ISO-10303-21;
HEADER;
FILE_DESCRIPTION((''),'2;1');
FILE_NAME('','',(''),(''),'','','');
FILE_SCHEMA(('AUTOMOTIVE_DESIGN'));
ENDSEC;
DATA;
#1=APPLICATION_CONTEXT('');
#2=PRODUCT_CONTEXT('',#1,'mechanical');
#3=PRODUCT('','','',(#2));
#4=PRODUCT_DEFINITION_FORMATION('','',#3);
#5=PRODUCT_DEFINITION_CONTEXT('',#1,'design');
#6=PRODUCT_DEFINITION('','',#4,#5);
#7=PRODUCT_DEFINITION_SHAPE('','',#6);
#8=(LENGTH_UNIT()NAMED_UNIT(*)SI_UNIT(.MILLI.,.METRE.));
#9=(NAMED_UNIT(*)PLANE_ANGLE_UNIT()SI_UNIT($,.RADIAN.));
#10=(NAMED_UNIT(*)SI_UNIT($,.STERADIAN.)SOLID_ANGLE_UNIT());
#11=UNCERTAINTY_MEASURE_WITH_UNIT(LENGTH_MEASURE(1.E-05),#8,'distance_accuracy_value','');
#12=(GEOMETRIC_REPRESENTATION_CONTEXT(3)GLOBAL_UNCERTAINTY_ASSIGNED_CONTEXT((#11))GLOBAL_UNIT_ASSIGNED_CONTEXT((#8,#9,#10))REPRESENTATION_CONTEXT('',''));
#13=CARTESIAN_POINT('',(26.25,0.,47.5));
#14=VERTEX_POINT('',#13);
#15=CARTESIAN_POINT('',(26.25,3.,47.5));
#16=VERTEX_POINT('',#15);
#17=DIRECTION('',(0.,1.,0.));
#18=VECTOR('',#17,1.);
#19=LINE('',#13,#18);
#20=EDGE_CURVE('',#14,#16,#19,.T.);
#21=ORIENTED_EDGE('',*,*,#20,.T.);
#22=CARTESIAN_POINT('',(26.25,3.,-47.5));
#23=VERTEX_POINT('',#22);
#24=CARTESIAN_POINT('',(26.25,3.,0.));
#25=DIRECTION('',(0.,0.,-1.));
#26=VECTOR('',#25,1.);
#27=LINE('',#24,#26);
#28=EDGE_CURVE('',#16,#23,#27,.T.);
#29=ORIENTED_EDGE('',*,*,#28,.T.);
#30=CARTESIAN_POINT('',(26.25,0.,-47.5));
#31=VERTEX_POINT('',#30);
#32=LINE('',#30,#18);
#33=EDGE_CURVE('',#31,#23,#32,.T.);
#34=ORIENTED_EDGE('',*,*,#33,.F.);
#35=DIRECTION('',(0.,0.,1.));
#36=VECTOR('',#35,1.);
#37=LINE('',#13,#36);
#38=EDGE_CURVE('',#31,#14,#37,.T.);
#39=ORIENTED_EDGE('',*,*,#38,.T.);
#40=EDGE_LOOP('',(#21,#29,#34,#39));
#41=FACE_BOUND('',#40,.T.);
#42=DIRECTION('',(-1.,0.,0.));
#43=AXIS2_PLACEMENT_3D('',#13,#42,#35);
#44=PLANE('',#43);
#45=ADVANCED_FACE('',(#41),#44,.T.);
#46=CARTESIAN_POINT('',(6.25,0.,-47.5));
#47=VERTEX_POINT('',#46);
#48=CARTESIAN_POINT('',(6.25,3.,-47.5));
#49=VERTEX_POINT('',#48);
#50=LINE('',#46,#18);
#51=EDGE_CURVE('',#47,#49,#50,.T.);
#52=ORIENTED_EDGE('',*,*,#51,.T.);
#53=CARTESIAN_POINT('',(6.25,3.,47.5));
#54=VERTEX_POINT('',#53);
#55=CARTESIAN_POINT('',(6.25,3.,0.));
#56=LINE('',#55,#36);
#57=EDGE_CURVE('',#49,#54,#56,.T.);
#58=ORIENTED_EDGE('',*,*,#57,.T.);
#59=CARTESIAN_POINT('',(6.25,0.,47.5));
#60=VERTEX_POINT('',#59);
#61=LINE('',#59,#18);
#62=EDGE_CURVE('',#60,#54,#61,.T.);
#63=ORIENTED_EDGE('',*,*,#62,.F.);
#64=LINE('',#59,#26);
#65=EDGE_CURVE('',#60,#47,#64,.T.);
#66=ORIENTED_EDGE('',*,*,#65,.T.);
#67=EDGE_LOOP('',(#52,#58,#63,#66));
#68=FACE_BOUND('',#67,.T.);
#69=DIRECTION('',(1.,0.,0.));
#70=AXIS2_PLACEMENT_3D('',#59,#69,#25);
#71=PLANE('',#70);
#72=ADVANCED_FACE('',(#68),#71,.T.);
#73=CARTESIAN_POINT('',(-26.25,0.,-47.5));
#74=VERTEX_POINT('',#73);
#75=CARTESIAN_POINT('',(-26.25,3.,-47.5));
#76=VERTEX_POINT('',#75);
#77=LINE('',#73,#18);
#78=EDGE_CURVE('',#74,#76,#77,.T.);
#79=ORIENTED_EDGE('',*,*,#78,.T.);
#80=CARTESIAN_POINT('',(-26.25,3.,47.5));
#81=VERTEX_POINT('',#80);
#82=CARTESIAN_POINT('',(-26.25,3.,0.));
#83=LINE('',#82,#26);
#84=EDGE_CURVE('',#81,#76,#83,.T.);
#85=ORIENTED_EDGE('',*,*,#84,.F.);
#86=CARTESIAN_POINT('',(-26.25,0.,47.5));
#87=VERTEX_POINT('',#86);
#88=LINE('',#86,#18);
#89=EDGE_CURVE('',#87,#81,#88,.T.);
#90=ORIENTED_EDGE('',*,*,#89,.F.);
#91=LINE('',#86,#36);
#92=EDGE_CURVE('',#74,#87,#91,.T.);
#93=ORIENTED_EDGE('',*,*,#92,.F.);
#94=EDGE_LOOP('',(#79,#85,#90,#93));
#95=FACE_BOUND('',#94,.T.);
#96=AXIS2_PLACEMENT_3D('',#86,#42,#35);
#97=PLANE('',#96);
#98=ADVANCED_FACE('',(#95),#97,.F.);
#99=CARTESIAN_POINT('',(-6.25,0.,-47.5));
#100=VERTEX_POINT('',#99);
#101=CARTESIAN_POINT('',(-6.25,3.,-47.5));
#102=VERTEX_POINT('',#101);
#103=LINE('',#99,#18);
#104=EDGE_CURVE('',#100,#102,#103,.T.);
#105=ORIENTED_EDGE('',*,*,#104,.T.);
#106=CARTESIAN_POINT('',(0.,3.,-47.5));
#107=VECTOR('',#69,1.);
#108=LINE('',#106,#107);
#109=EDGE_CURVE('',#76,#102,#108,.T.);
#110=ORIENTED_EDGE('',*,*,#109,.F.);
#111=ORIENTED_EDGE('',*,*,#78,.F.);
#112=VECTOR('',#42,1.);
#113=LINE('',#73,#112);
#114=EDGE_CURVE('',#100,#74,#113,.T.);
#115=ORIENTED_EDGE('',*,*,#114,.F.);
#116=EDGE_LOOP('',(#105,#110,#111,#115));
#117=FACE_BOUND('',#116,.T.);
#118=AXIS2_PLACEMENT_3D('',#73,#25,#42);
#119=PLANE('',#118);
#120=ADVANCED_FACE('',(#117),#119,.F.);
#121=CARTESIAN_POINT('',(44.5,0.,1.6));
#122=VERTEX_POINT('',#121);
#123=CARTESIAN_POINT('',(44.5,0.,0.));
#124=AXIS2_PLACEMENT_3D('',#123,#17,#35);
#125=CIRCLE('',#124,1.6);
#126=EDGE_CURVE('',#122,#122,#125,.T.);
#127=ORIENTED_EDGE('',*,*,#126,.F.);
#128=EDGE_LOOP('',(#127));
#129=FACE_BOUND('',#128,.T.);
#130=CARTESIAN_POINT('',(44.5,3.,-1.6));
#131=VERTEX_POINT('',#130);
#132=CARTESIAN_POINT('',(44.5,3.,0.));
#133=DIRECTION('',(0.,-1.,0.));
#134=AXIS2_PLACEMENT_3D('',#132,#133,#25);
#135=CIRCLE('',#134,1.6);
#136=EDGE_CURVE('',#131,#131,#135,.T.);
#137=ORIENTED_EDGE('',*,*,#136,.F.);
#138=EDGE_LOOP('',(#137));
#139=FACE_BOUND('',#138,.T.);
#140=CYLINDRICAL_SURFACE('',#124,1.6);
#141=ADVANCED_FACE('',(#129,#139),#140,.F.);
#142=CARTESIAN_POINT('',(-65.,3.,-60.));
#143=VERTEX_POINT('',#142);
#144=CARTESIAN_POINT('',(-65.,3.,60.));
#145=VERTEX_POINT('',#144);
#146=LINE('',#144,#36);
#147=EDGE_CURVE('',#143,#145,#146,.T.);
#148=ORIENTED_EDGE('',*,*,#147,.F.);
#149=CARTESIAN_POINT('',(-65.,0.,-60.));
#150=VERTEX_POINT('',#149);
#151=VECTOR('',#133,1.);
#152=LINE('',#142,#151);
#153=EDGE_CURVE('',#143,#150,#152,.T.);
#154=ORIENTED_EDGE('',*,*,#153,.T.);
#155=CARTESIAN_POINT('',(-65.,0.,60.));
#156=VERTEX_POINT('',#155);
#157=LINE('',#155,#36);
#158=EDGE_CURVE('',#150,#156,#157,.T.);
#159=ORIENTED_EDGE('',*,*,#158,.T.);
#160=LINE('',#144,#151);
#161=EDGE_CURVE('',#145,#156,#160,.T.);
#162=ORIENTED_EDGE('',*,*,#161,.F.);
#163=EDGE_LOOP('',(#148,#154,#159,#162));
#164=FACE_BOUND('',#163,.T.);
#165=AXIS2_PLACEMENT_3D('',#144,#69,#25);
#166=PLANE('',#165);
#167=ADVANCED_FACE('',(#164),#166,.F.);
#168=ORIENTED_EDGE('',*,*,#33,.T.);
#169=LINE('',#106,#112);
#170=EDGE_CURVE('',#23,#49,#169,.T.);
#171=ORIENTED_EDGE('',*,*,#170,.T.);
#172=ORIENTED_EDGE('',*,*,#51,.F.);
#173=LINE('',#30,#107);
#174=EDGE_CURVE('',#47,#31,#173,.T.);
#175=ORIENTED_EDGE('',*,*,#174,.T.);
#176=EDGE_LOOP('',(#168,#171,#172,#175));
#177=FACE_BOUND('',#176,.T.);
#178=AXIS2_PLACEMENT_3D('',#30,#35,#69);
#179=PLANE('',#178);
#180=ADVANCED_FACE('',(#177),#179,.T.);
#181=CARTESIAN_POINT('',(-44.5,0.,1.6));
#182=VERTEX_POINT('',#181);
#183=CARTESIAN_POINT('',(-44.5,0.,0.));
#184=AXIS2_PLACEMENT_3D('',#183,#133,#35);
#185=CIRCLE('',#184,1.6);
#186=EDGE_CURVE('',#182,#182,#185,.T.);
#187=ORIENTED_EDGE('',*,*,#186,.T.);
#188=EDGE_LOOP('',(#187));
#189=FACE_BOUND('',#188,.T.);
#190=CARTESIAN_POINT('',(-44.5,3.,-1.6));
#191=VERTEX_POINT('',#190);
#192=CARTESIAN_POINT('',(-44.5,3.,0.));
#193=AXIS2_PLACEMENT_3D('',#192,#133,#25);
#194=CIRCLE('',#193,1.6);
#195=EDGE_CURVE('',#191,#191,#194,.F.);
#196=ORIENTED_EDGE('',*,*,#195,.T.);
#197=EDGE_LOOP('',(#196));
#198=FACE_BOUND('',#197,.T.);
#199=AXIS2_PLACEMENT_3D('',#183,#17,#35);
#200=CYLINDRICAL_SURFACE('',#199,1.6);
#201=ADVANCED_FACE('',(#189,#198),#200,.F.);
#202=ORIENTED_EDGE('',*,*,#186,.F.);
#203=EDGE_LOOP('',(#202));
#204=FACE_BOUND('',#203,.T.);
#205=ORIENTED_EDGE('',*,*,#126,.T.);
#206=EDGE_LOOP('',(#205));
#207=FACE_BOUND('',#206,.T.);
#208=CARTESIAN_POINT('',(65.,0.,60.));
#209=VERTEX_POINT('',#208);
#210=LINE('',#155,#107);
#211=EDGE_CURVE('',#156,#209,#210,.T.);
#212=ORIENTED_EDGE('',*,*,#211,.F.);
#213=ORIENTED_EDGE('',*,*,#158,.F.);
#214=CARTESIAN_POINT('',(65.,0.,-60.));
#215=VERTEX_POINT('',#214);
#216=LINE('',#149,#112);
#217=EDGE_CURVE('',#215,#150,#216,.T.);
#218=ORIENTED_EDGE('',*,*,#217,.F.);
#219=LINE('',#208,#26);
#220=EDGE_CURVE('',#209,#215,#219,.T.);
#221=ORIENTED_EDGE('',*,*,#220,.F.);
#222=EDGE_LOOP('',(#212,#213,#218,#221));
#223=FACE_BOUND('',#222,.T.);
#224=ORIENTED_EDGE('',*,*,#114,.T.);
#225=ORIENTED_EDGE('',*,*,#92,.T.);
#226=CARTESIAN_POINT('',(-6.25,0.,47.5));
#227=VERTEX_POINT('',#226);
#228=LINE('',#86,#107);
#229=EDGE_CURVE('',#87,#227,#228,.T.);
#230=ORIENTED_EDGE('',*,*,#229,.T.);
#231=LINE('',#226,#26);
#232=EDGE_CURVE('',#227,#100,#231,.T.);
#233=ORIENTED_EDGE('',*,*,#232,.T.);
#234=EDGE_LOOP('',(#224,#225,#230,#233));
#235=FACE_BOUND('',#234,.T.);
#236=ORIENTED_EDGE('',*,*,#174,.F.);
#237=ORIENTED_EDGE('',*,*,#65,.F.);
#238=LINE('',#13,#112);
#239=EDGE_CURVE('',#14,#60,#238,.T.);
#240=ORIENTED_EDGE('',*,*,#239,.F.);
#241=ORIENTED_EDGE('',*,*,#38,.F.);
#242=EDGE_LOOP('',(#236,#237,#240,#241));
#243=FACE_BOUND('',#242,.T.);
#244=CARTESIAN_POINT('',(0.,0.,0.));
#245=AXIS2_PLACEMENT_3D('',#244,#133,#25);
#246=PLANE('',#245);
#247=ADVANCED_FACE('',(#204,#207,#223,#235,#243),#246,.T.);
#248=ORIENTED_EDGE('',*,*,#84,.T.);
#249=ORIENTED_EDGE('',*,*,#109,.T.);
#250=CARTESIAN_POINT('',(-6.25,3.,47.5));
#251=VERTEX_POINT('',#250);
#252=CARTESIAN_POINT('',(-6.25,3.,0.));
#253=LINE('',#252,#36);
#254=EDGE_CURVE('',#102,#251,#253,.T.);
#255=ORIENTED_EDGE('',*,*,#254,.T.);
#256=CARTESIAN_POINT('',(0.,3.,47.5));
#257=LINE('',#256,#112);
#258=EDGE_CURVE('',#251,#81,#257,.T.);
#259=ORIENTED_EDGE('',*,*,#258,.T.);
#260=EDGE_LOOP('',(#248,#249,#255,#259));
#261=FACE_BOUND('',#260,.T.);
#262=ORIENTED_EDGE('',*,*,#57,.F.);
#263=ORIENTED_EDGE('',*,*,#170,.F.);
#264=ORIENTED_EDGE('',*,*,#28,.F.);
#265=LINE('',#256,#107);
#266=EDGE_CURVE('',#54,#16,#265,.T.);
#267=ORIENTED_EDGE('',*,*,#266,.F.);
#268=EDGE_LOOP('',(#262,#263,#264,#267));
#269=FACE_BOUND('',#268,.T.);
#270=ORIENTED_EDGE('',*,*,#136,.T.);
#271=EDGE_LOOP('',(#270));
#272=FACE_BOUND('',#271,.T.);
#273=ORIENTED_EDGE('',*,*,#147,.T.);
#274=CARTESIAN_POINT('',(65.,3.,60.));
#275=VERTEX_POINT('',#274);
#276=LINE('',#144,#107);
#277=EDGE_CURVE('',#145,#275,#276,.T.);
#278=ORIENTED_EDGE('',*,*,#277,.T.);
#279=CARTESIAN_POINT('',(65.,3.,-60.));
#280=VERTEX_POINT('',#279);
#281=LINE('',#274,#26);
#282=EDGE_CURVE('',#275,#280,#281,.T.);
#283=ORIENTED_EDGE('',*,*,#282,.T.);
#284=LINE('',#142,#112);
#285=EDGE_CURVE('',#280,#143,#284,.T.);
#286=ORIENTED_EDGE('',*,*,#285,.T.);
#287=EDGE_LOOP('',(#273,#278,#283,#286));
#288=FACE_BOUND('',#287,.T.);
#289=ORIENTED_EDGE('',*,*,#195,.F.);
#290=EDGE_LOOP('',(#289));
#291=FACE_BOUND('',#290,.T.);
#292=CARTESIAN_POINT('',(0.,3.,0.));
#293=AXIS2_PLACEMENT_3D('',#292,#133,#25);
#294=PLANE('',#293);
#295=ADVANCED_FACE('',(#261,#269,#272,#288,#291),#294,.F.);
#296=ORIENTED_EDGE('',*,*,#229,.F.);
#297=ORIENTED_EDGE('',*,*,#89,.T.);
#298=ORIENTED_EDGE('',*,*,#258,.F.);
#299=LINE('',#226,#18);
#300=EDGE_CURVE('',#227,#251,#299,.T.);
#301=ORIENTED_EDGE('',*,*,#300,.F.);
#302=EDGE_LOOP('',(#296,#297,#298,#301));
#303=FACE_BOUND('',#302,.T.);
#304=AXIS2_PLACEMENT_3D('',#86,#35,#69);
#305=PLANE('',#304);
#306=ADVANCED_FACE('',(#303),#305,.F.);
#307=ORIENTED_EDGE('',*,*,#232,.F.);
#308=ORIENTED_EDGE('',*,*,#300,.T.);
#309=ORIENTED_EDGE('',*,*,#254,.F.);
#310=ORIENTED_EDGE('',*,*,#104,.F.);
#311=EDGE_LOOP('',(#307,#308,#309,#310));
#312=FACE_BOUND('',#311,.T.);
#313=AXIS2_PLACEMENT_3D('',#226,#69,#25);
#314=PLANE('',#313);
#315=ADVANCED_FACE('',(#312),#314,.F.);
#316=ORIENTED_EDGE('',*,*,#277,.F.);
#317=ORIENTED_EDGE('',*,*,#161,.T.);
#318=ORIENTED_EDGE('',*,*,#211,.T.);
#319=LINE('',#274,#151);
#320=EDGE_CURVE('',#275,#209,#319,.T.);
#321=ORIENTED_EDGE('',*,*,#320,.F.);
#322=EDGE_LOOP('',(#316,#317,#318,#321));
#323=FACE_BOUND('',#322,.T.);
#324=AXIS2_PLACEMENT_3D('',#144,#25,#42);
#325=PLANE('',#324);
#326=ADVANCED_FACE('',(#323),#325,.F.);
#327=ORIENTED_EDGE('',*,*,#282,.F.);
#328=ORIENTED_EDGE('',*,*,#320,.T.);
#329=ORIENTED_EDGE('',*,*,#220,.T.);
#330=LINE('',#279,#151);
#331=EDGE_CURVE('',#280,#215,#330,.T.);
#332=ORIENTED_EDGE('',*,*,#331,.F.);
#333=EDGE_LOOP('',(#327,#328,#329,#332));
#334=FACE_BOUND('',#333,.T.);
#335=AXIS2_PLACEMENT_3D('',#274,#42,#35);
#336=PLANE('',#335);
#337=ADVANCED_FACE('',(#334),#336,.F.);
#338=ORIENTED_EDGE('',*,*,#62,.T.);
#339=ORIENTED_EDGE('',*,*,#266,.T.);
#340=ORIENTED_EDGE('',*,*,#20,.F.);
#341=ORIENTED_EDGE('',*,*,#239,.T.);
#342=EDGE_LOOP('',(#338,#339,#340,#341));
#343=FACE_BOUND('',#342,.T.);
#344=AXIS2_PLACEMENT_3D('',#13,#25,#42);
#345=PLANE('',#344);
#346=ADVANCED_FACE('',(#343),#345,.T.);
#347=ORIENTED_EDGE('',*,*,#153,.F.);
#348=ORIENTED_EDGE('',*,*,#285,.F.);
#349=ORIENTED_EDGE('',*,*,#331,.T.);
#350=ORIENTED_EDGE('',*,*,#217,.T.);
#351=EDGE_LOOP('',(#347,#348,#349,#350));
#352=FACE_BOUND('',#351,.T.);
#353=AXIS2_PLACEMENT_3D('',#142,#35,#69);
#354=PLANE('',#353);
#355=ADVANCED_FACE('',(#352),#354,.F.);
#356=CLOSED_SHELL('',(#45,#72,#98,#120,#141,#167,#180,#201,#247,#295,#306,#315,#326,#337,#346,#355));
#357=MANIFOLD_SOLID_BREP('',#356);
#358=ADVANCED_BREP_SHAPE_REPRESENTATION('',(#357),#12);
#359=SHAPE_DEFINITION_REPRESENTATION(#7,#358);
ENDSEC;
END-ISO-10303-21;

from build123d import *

# Parameters (mm, degrees)
SKETCH1_W           = 130
SKETCH1_H           = 120
BOSS_EXTRUDE1_DEPTH = 3
CUT_EXTRUDE1_START  = -4
SKETCH2_W           = 20
SKETCH2_H           = 95
CUT_EXTRUDE1_DEPTH  = 5
CUT_EXTRUDE2_START  = -4
SKETCH3_R           = 1.6
CUT_EXTRUDE2_DEPTH  = 5


with BuildPart() as part:
    # Sketch1 → Boss-Extrude1 (new body)
    with BuildSketch(Plane(origin=(0, 0, 0), x_dir=(1, 0, 0), z_dir=(0, 1, 0))):
        Rectangle(SKETCH1_W, SKETCH1_H)
    extrude(amount=BOSS_EXTRUDE1_DEPTH)

    # Sketch2 → Cut-Extrude1 (cut)
    with BuildSketch(Plane(origin=(0, 3, 0), x_dir=(1, 0, 0), z_dir=(0, 1, 0)).offset(CUT_EXTRUDE1_START)):
        with Locations((-16.25, 0)):
            Rectangle(SKETCH2_W, SKETCH2_H)
    cut_extrude1 = extrude(amount=CUT_EXTRUDE1_DEPTH, mode=Mode.SUBTRACT)

    # Mirror1: Cut-Extrude1 across plane
    add(cut_extrude1.mirror(Plane(origin=(0, 0, 0), x_dir=(0, 0, 1), z_dir=(1, 0, 0))), mode=Mode.SUBTRACT)

    # Sketch3 → Cut-Extrude2 (cut)
    with BuildSketch(Plane(origin=(0, 3, 0), x_dir=(1, 0, 0), z_dir=(0, 1, 0)).offset(CUT_EXTRUDE2_START)):
        with Locations((44.5, 0)):
            Circle(SKETCH3_R)
    cut_extrude2 = extrude(amount=CUT_EXTRUDE2_DEPTH, mode=Mode.SUBTRACT)

    # Mirror2: Cut-Extrude2 across plane
    add(cut_extrude2.mirror(Plane(origin=(0, 0, 0), x_dir=(0, 0, 1), z_dir=(1, 0, 0))), mode=Mode.SUBTRACT)


solid = part.part
